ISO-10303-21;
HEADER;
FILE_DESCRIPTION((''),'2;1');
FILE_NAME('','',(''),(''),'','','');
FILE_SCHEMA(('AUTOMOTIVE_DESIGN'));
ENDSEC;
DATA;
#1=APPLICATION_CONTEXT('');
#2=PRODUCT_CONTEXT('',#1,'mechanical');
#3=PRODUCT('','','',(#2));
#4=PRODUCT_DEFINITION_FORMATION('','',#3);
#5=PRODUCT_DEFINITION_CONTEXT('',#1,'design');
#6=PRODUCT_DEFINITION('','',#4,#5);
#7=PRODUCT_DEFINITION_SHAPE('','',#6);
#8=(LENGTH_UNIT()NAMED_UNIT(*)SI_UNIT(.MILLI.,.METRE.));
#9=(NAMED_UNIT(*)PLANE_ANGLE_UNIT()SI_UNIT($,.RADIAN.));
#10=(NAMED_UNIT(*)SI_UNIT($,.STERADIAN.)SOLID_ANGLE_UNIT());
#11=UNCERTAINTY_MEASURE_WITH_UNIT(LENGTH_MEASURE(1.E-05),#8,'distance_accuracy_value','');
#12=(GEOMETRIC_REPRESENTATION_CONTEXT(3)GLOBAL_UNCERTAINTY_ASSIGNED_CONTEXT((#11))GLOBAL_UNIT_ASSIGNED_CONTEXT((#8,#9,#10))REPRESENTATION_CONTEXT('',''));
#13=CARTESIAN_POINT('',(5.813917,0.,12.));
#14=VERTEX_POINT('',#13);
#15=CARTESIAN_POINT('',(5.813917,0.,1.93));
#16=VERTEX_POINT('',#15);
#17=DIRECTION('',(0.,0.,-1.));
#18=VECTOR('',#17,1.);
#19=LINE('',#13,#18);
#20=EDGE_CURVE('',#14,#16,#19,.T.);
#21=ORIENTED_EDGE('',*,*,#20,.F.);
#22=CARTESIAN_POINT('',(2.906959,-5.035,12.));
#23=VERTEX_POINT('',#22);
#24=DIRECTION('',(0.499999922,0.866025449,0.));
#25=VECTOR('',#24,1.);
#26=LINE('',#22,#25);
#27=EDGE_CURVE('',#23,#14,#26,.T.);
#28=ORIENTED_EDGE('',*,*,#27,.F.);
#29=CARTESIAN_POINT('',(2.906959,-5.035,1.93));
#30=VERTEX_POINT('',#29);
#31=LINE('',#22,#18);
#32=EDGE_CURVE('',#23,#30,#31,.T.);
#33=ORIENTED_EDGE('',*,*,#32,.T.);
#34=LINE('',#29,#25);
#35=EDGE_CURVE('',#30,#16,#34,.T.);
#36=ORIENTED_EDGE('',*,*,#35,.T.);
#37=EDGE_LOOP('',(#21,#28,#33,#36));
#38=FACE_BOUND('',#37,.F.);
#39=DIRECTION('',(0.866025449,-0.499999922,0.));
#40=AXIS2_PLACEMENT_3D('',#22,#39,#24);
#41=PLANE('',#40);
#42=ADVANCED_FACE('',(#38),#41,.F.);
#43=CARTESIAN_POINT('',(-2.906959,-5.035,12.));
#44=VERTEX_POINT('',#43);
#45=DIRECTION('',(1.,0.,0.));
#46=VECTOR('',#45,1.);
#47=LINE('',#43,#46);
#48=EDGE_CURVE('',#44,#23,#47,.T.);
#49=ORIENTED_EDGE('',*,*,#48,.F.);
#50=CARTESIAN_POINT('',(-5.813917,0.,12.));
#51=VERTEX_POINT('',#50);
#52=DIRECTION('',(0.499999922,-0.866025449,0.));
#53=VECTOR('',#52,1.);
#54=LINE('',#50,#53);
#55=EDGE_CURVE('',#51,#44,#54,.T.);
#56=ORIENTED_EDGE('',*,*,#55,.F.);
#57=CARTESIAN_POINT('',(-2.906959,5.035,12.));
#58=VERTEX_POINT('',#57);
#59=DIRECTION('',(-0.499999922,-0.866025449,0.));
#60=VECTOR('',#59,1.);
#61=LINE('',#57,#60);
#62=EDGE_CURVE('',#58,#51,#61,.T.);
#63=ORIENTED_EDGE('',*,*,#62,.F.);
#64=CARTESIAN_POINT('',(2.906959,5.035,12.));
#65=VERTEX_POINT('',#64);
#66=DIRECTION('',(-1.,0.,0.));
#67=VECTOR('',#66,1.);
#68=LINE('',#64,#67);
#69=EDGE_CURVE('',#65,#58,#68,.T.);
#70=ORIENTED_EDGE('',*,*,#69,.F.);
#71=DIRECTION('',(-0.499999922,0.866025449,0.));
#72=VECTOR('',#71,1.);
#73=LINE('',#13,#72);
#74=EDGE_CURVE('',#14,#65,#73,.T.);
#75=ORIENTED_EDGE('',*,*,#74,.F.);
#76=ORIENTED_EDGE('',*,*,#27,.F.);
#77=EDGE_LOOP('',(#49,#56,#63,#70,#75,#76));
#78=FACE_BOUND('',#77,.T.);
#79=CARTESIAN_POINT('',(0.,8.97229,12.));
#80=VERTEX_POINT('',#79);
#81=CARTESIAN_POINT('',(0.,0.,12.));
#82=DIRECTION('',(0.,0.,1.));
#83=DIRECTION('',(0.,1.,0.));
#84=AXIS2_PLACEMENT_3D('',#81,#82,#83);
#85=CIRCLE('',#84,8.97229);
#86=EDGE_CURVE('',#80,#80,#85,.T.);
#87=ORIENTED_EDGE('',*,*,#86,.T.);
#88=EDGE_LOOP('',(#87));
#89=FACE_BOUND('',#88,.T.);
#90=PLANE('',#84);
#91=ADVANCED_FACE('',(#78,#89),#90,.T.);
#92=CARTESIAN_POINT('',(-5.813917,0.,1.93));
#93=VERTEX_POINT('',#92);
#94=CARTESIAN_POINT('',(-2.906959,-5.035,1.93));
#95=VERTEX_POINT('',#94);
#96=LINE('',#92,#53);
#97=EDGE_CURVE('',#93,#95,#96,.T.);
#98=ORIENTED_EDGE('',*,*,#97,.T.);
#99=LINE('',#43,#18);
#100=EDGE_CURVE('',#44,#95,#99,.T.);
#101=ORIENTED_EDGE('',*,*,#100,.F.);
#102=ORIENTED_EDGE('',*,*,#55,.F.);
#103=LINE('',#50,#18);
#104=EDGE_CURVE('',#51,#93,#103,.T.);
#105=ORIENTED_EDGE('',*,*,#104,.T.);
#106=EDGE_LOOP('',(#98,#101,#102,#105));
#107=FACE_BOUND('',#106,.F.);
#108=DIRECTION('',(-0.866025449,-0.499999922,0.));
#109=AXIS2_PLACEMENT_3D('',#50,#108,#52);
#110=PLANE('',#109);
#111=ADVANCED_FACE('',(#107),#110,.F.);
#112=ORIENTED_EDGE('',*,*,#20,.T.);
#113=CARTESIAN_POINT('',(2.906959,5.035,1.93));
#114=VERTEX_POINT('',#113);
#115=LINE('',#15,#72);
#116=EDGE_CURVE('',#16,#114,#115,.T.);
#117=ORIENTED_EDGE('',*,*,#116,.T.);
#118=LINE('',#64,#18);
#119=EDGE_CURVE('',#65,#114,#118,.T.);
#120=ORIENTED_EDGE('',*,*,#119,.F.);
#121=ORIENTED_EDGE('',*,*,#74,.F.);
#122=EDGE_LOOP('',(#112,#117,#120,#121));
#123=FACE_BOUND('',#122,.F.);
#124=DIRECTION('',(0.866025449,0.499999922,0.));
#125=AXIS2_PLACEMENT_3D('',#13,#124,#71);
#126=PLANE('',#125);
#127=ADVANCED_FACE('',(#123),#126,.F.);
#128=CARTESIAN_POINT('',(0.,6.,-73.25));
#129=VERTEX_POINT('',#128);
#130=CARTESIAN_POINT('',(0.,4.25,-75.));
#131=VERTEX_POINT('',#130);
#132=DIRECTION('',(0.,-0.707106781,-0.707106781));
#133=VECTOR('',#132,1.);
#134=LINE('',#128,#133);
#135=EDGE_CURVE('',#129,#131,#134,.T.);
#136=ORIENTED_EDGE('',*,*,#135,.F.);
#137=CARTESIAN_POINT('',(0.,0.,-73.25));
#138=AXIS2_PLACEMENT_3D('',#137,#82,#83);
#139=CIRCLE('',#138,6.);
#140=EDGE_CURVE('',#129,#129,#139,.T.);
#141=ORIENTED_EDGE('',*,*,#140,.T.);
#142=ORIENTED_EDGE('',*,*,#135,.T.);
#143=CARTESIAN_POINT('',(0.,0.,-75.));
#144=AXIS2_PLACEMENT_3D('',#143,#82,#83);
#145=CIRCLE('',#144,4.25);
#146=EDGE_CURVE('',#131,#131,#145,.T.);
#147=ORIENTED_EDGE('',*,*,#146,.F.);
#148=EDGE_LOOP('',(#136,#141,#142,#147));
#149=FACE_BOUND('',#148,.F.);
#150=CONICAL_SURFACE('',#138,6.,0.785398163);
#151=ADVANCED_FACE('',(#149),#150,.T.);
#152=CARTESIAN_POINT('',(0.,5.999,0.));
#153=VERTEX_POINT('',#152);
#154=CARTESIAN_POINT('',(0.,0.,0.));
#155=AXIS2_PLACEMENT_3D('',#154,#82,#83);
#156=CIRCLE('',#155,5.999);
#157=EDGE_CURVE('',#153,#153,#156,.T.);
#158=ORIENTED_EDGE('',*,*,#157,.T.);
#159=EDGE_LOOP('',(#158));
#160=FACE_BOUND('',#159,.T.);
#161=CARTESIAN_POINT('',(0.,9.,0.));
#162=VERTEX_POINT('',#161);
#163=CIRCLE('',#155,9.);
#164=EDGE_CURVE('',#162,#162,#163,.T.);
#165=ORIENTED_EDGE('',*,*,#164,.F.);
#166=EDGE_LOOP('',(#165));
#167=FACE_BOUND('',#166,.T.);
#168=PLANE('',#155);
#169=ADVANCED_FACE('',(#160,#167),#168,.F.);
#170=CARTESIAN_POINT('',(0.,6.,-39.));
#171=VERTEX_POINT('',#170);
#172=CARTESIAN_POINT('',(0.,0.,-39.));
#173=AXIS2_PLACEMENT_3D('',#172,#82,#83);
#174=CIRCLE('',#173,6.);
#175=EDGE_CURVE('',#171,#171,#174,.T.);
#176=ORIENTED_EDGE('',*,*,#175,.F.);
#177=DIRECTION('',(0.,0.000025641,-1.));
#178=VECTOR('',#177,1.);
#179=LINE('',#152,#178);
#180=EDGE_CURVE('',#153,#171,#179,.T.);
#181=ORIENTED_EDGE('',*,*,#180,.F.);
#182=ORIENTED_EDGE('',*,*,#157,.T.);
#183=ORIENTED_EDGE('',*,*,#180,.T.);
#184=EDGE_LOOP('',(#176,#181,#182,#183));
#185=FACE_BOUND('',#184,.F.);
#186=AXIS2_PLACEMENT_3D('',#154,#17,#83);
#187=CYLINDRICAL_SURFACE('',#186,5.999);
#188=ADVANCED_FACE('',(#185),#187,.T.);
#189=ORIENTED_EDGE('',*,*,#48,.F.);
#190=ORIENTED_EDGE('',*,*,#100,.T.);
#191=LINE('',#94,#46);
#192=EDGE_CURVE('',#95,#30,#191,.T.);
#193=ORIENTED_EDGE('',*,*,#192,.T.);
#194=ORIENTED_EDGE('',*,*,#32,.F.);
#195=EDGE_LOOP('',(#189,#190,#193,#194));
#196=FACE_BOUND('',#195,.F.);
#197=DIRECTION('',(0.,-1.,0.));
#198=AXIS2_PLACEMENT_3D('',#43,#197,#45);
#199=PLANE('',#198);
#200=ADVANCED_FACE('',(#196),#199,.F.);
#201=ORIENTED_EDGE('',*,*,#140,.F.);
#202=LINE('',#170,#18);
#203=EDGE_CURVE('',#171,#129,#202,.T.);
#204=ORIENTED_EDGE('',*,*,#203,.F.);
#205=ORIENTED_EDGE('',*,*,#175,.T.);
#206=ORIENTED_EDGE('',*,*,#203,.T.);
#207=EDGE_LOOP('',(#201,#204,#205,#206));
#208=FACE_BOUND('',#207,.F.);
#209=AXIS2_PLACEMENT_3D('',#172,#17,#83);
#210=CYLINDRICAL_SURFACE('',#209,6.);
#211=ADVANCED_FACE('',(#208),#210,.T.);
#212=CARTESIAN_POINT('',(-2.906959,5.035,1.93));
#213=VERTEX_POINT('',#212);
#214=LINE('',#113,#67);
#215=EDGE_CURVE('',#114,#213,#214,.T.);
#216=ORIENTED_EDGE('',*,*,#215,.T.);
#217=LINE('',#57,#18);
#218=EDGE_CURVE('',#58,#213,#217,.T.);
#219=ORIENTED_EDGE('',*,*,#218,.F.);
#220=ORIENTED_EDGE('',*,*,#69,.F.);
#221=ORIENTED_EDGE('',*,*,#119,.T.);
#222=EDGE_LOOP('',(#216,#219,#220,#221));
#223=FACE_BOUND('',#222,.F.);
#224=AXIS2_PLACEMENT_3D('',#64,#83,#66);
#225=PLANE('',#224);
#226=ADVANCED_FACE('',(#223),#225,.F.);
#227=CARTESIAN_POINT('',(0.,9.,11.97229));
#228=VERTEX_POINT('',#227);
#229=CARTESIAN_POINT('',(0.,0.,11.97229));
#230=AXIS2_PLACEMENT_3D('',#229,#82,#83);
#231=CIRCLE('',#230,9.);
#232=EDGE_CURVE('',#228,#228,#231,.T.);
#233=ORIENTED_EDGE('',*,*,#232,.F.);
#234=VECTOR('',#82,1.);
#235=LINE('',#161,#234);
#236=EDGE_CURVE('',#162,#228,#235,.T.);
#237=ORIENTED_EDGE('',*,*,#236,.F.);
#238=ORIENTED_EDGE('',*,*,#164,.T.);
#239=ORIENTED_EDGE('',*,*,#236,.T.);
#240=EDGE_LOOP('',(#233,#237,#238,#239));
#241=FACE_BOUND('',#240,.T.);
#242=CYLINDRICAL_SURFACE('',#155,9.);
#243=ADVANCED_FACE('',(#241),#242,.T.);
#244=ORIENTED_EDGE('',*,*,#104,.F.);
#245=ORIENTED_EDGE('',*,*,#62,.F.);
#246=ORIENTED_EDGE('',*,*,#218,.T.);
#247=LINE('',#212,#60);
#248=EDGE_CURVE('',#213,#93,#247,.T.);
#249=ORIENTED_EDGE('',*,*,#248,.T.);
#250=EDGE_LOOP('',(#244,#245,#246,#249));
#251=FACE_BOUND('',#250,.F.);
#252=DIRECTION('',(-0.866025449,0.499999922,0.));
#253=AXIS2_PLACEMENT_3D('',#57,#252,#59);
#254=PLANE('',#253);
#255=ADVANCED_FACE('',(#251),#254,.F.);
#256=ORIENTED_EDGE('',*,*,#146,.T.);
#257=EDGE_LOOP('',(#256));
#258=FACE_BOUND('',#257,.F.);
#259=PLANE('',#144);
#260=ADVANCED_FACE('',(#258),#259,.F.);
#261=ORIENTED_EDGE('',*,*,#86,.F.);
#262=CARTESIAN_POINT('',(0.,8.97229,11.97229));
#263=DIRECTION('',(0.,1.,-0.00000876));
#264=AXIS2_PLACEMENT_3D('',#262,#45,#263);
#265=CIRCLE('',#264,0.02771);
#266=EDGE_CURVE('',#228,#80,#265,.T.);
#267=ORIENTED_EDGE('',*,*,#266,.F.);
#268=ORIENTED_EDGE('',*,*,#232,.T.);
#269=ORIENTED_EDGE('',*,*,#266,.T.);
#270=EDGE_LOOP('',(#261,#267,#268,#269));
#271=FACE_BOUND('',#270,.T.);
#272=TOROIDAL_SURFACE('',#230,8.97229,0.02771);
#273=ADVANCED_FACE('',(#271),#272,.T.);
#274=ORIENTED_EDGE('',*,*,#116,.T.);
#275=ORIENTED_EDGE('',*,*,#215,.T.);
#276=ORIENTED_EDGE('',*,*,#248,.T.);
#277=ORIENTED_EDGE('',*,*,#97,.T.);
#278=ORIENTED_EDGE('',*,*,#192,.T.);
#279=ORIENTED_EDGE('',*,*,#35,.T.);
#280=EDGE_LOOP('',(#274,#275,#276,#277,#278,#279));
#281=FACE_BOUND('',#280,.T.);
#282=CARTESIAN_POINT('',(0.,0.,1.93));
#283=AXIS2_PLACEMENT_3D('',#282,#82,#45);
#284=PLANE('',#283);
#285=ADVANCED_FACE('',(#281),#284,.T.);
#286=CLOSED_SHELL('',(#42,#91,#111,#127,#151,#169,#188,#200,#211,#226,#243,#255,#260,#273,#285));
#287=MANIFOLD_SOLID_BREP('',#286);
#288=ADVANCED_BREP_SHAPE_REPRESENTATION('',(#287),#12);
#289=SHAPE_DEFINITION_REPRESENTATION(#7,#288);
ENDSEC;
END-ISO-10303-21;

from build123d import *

# Parameters (mm, degrees)
POCKET_DEPTH = 10.07


with BuildPart() as part:
    # Sketch → Revolve (revolve)
    with BuildSketch(Plane.YZ):
        with BuildLine():
            Line((5.999, 0), (9, 0))
            Line((9, 0), (9, 11.97229))
            ThreePointArc((9, 11.97229), (8.991884, 11.991884), (8.97229, 12))
            Line((8.97229, 12), (0, 12))
            Line((0, -75), (0, 12))
            Line((4.25, -75), (0, -75))
            Line((6, -73.25), (4.25, -75))
            Line((6, -39), (6, -73.25))
            Line((5.999, 0), (6, -39))
        make_face()
    revolve(axis=Axis((0, 0, 0), (0, 0, 1)))

    # Sketch001 → Pocket (cut)
    with BuildSketch(Plane.XY.offset(12)):
        Polygon((5.813917, 0), (2.906959, 5.035), (-2.906959, 5.035), (-5.813917, 0), (-2.906959, -5.035), (2.906959, -5.035), align=None)
    extrude(amount=-POCKET_DEPTH, mode=Mode.SUBTRACT)


solid = part.part
